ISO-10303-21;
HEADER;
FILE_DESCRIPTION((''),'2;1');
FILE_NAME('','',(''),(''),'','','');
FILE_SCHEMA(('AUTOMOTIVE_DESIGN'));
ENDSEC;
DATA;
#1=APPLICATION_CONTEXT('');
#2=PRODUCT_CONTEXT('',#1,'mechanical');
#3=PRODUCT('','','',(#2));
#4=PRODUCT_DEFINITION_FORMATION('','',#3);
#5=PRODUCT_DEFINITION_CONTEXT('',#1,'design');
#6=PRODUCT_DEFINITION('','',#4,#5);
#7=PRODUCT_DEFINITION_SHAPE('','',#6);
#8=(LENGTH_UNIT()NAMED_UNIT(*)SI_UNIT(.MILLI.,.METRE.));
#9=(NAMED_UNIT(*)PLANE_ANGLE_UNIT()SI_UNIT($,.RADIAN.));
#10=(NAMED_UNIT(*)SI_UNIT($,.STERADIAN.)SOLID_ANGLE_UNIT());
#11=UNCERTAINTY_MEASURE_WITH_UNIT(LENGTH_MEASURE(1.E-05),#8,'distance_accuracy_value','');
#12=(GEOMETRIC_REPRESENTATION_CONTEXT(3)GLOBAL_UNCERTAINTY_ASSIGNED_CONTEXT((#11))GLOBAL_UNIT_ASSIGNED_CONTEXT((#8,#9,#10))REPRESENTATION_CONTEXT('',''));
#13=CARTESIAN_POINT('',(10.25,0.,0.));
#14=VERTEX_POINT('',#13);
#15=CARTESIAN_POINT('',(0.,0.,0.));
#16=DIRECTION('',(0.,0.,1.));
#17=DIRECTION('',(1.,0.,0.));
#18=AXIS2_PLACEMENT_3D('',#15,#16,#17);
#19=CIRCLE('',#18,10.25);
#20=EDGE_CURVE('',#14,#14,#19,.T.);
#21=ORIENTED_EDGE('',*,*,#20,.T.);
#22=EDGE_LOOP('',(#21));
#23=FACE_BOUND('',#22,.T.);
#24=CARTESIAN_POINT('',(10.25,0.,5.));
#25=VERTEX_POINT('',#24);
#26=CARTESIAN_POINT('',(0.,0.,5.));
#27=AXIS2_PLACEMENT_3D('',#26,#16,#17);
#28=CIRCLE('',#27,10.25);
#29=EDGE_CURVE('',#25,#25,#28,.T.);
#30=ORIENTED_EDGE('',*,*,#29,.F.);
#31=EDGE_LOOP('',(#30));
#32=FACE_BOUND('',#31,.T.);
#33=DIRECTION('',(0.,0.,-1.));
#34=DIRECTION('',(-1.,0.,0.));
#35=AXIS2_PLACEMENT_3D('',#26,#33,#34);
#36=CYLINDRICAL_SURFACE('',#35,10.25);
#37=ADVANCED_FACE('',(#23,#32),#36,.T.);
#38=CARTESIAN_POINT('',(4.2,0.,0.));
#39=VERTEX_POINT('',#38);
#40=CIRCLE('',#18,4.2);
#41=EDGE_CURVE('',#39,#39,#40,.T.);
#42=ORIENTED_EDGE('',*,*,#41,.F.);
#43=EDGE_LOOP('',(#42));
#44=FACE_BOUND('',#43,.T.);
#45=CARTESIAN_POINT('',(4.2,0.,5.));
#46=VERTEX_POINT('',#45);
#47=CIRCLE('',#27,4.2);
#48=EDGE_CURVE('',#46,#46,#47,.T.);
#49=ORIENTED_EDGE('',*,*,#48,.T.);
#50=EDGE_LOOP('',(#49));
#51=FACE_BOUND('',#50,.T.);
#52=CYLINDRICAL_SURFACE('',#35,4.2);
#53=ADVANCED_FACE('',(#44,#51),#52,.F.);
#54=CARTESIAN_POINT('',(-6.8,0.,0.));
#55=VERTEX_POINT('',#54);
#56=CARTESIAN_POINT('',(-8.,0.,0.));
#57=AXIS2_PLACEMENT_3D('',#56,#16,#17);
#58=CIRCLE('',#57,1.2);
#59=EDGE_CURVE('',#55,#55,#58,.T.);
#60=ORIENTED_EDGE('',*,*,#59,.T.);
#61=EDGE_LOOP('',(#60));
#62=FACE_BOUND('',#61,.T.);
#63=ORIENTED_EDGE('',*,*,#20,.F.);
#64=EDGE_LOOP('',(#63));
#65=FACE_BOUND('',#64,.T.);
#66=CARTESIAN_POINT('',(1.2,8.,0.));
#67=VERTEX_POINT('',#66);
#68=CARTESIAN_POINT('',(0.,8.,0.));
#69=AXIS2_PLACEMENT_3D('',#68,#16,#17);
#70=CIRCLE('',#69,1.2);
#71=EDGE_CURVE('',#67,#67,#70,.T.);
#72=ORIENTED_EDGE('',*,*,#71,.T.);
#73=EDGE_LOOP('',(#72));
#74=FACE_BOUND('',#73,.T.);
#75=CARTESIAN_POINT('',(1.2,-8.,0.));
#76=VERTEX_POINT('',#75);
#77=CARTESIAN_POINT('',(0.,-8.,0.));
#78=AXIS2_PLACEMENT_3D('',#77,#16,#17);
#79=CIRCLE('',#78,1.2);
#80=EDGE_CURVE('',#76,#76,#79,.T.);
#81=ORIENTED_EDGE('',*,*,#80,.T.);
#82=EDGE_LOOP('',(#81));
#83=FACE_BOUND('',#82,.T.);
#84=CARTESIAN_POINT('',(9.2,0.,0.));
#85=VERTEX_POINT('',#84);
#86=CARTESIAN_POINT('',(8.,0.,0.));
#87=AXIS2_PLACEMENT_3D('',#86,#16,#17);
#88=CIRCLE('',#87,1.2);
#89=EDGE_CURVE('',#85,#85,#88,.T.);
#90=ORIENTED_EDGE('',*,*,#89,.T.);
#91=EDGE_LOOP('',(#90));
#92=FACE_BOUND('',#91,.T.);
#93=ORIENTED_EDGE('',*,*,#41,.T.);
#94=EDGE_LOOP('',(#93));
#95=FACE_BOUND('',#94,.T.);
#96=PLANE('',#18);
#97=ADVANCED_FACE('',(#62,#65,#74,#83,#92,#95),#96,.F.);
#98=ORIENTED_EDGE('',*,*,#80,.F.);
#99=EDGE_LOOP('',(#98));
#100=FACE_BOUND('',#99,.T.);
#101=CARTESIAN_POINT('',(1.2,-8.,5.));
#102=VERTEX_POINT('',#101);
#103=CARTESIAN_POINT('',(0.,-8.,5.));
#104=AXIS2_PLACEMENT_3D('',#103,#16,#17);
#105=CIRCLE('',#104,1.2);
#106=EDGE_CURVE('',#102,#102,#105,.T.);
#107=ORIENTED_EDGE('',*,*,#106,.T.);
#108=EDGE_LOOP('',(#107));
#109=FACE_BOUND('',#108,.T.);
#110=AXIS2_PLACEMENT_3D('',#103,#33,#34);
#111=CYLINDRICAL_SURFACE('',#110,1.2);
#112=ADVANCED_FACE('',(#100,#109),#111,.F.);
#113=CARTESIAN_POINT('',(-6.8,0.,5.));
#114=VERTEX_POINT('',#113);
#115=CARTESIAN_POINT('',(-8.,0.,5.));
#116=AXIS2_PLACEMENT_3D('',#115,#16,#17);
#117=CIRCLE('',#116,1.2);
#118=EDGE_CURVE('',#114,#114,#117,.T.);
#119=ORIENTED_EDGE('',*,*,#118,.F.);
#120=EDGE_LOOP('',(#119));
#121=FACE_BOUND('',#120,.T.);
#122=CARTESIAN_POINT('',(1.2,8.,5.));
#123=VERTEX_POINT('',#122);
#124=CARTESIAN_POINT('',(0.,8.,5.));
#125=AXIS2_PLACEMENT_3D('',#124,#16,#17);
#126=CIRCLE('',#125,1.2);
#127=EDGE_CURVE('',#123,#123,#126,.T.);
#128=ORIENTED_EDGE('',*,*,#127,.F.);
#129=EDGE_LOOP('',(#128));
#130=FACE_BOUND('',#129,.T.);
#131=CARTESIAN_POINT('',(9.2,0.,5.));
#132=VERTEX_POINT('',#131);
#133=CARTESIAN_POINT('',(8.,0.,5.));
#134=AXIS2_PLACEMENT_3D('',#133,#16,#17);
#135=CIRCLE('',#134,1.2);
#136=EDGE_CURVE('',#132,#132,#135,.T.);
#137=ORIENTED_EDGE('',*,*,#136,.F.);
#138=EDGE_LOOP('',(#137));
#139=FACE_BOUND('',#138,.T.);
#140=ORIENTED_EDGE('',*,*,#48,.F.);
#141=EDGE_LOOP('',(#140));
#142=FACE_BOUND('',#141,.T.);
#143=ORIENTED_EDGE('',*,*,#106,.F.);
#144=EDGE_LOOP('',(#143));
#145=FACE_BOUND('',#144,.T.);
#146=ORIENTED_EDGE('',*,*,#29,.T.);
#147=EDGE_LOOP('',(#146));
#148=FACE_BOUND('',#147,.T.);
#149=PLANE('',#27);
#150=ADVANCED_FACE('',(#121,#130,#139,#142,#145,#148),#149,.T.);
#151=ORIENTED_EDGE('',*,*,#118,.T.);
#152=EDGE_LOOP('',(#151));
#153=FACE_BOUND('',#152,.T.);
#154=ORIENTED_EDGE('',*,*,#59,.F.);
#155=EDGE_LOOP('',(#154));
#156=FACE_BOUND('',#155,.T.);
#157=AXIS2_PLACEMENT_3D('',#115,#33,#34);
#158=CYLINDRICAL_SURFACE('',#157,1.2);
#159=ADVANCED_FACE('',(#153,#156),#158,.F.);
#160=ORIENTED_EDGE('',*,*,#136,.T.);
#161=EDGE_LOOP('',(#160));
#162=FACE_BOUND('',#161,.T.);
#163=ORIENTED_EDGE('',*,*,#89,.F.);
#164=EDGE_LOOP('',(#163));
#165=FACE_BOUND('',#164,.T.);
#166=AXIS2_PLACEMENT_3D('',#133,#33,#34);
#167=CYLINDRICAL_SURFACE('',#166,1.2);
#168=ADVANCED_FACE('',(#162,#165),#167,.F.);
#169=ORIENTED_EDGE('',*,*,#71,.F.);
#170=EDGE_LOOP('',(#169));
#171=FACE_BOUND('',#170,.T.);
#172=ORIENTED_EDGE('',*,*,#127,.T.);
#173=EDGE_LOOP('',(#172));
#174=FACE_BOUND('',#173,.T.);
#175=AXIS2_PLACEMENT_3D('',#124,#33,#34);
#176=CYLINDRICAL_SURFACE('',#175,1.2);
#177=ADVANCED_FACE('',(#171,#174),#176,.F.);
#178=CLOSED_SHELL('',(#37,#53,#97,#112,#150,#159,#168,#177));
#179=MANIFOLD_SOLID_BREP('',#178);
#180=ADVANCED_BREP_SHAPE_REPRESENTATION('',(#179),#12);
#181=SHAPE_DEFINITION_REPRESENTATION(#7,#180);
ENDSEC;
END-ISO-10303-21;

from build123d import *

# Parameters (mm, degrees)
SKETCH1_R           = 10.25
SKETCH1_R_2         = 4.2
SKETCH1_R_3         = 1.2
BOSS_EXTRUDE1_DEPTH = 5


with BuildPart() as part:
    # Sketch1 → Boss-Extrude1 (new body)
    with BuildSketch(Plane.XY):
        Circle(SKETCH1_R)
        Circle(SKETCH1_R_2, mode=Mode.SUBTRACT)
        with Locations((0, 8)):
            Circle(SKETCH1_R_3, mode=Mode.SUBTRACT)
        with Locations((8, 0)):
            Circle(SKETCH1_R_3, mode=Mode.SUBTRACT)
        with Locations((0, -8)):
            Circle(SKETCH1_R_3, mode=Mode.SUBTRACT)
        with Locations((-8, 0)):
            Circle(SKETCH1_R_3, mode=Mode.SUBTRACT)
    extrude(amount=BOSS_EXTRUDE1_DEPTH)


solid = part.part
